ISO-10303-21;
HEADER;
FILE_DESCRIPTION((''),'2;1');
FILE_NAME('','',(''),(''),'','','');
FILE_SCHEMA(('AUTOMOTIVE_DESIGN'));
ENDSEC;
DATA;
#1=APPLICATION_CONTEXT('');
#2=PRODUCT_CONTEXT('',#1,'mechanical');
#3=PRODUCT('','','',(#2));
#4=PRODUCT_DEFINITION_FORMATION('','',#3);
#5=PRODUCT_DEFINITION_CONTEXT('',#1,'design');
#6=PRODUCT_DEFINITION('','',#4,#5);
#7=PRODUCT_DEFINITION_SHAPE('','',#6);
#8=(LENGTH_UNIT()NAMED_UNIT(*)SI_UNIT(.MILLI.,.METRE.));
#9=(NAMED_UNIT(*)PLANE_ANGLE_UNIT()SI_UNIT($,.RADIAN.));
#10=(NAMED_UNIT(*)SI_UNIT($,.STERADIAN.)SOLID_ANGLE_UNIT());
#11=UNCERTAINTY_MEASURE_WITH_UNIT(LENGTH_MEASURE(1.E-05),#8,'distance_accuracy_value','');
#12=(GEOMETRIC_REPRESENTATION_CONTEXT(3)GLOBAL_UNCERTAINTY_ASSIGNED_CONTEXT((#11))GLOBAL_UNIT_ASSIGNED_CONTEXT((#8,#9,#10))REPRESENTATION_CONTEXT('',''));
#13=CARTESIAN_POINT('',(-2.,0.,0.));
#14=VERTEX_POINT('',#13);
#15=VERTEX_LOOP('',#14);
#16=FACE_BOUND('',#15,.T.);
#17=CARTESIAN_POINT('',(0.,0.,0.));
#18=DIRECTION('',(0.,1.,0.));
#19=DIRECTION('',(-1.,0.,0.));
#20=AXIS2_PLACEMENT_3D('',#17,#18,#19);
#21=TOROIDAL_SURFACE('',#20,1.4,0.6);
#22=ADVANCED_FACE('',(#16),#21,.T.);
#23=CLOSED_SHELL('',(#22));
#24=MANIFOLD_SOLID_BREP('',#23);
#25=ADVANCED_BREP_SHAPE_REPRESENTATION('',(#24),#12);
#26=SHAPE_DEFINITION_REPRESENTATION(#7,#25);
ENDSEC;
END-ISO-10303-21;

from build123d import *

# Parameters (mm, degrees)
MAINBODYS_R = 0.6


with BuildPart() as part:
    # MainBodyS → MAIN BODY (revolve)
    with BuildSketch(Plane.XY):
        with Locations((1.4, 0)):
            Circle(MAINBODYS_R)
    revolve(axis=Axis((0, 0, 0), (0, -1, 0)))


solid = part.part
